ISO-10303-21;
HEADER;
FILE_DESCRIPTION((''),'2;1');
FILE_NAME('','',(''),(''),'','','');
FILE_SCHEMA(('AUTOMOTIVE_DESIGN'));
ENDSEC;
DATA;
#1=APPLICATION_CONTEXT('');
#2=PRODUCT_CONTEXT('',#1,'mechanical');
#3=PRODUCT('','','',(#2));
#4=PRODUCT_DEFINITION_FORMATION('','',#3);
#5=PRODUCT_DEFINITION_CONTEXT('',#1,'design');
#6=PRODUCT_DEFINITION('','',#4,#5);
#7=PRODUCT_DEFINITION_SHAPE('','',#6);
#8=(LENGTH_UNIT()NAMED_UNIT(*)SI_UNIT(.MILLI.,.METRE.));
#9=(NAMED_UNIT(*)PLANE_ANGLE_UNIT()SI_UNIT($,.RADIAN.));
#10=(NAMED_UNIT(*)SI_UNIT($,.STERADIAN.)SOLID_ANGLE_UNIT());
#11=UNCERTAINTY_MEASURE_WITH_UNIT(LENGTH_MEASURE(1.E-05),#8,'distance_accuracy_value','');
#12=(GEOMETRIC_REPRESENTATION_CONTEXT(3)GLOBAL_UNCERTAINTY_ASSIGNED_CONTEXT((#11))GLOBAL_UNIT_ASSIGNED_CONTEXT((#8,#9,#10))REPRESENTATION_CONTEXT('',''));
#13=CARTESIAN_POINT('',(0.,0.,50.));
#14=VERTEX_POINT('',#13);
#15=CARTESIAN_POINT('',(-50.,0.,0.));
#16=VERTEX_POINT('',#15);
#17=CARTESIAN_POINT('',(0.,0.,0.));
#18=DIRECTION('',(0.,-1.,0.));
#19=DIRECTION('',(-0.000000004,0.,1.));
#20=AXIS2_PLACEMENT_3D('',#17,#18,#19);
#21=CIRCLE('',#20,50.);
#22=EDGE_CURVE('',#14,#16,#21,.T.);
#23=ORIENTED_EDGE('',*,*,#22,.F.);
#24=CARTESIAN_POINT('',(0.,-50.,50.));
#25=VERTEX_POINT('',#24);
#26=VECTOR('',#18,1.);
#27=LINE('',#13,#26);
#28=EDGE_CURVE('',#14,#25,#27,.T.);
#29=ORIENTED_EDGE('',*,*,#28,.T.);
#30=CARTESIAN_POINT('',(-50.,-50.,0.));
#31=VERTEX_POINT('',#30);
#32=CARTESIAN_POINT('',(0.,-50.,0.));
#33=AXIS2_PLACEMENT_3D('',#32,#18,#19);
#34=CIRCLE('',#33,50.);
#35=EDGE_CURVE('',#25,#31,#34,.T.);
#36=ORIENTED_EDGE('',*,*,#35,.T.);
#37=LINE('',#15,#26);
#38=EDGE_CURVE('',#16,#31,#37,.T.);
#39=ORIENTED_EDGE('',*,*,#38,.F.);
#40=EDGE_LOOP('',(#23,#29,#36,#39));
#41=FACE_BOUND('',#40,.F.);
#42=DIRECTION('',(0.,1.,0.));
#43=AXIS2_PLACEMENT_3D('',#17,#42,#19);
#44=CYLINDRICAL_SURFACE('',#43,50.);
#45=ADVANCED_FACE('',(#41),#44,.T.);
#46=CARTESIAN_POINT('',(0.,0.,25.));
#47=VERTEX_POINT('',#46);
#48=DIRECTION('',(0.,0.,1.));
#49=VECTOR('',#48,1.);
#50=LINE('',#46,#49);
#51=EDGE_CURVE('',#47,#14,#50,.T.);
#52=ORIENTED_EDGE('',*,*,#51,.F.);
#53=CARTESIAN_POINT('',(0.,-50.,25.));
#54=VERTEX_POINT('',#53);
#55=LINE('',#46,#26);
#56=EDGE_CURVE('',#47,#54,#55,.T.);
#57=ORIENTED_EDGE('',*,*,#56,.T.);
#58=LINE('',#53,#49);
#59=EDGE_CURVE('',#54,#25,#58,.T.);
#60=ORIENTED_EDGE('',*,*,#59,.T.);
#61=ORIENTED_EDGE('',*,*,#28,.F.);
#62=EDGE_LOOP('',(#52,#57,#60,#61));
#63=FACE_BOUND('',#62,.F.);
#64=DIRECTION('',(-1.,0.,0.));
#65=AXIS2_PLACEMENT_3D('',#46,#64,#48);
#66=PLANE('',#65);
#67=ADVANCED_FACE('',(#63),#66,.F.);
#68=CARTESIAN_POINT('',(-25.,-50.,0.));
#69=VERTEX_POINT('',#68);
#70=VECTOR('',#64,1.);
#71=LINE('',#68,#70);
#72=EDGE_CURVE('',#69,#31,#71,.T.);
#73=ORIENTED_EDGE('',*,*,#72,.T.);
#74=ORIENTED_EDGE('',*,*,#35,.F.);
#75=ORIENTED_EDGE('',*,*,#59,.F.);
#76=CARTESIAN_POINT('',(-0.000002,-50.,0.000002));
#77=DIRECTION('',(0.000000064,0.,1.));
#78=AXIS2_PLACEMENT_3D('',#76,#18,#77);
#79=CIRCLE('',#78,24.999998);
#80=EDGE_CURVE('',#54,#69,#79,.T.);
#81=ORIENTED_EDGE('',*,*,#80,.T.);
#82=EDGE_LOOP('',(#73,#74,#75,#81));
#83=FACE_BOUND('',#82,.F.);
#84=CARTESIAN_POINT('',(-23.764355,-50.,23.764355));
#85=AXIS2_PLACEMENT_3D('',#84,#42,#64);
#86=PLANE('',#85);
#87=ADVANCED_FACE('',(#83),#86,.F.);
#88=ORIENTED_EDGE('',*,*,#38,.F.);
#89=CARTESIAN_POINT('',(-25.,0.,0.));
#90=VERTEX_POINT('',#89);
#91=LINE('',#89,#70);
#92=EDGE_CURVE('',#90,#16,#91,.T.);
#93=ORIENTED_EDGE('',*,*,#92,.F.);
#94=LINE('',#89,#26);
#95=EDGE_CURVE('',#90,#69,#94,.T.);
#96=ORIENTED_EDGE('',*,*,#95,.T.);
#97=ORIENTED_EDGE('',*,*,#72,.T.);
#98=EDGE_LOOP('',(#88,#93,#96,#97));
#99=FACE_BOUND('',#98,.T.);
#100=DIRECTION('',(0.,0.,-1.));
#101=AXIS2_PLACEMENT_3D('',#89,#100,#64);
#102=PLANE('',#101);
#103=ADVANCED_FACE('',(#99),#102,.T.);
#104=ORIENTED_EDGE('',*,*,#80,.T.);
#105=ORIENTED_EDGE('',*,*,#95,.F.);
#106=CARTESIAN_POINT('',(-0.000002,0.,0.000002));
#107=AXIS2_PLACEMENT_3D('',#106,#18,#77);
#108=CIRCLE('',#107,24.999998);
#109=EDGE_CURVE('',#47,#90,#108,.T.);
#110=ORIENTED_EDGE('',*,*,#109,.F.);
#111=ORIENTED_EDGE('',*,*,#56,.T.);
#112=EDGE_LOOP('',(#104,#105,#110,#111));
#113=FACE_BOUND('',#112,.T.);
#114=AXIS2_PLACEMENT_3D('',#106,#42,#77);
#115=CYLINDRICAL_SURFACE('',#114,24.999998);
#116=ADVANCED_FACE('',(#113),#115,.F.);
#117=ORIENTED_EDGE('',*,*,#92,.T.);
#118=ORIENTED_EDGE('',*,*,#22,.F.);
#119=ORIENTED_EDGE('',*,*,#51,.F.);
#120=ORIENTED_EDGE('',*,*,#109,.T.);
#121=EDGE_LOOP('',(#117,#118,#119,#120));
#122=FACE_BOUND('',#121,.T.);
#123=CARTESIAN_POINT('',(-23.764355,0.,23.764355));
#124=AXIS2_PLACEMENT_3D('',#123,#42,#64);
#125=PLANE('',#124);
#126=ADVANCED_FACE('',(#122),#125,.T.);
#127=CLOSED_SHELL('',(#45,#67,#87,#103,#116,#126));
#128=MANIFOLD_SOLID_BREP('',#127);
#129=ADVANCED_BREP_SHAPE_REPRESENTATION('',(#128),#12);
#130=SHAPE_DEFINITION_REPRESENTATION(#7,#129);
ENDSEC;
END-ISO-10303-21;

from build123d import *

# Parameters (mm, degrees)
PAD_DEPTH = 50


with BuildPart() as part:
    # Sketch → Pad (new body)
    with BuildSketch(Plane.XZ):
        with BuildLine():
            ThreePointArc((0, 25), (-17.67767, 17.67767), (-25, 0))
            Line((-25, 0), (-50, 0))
            ThreePointArc((0, 50), (-35.355339, 35.355339), (-50, 0))
            Line((0, 25), (0, 50))
        make_face()
    extrude(amount=PAD_DEPTH)


solid = part.part
